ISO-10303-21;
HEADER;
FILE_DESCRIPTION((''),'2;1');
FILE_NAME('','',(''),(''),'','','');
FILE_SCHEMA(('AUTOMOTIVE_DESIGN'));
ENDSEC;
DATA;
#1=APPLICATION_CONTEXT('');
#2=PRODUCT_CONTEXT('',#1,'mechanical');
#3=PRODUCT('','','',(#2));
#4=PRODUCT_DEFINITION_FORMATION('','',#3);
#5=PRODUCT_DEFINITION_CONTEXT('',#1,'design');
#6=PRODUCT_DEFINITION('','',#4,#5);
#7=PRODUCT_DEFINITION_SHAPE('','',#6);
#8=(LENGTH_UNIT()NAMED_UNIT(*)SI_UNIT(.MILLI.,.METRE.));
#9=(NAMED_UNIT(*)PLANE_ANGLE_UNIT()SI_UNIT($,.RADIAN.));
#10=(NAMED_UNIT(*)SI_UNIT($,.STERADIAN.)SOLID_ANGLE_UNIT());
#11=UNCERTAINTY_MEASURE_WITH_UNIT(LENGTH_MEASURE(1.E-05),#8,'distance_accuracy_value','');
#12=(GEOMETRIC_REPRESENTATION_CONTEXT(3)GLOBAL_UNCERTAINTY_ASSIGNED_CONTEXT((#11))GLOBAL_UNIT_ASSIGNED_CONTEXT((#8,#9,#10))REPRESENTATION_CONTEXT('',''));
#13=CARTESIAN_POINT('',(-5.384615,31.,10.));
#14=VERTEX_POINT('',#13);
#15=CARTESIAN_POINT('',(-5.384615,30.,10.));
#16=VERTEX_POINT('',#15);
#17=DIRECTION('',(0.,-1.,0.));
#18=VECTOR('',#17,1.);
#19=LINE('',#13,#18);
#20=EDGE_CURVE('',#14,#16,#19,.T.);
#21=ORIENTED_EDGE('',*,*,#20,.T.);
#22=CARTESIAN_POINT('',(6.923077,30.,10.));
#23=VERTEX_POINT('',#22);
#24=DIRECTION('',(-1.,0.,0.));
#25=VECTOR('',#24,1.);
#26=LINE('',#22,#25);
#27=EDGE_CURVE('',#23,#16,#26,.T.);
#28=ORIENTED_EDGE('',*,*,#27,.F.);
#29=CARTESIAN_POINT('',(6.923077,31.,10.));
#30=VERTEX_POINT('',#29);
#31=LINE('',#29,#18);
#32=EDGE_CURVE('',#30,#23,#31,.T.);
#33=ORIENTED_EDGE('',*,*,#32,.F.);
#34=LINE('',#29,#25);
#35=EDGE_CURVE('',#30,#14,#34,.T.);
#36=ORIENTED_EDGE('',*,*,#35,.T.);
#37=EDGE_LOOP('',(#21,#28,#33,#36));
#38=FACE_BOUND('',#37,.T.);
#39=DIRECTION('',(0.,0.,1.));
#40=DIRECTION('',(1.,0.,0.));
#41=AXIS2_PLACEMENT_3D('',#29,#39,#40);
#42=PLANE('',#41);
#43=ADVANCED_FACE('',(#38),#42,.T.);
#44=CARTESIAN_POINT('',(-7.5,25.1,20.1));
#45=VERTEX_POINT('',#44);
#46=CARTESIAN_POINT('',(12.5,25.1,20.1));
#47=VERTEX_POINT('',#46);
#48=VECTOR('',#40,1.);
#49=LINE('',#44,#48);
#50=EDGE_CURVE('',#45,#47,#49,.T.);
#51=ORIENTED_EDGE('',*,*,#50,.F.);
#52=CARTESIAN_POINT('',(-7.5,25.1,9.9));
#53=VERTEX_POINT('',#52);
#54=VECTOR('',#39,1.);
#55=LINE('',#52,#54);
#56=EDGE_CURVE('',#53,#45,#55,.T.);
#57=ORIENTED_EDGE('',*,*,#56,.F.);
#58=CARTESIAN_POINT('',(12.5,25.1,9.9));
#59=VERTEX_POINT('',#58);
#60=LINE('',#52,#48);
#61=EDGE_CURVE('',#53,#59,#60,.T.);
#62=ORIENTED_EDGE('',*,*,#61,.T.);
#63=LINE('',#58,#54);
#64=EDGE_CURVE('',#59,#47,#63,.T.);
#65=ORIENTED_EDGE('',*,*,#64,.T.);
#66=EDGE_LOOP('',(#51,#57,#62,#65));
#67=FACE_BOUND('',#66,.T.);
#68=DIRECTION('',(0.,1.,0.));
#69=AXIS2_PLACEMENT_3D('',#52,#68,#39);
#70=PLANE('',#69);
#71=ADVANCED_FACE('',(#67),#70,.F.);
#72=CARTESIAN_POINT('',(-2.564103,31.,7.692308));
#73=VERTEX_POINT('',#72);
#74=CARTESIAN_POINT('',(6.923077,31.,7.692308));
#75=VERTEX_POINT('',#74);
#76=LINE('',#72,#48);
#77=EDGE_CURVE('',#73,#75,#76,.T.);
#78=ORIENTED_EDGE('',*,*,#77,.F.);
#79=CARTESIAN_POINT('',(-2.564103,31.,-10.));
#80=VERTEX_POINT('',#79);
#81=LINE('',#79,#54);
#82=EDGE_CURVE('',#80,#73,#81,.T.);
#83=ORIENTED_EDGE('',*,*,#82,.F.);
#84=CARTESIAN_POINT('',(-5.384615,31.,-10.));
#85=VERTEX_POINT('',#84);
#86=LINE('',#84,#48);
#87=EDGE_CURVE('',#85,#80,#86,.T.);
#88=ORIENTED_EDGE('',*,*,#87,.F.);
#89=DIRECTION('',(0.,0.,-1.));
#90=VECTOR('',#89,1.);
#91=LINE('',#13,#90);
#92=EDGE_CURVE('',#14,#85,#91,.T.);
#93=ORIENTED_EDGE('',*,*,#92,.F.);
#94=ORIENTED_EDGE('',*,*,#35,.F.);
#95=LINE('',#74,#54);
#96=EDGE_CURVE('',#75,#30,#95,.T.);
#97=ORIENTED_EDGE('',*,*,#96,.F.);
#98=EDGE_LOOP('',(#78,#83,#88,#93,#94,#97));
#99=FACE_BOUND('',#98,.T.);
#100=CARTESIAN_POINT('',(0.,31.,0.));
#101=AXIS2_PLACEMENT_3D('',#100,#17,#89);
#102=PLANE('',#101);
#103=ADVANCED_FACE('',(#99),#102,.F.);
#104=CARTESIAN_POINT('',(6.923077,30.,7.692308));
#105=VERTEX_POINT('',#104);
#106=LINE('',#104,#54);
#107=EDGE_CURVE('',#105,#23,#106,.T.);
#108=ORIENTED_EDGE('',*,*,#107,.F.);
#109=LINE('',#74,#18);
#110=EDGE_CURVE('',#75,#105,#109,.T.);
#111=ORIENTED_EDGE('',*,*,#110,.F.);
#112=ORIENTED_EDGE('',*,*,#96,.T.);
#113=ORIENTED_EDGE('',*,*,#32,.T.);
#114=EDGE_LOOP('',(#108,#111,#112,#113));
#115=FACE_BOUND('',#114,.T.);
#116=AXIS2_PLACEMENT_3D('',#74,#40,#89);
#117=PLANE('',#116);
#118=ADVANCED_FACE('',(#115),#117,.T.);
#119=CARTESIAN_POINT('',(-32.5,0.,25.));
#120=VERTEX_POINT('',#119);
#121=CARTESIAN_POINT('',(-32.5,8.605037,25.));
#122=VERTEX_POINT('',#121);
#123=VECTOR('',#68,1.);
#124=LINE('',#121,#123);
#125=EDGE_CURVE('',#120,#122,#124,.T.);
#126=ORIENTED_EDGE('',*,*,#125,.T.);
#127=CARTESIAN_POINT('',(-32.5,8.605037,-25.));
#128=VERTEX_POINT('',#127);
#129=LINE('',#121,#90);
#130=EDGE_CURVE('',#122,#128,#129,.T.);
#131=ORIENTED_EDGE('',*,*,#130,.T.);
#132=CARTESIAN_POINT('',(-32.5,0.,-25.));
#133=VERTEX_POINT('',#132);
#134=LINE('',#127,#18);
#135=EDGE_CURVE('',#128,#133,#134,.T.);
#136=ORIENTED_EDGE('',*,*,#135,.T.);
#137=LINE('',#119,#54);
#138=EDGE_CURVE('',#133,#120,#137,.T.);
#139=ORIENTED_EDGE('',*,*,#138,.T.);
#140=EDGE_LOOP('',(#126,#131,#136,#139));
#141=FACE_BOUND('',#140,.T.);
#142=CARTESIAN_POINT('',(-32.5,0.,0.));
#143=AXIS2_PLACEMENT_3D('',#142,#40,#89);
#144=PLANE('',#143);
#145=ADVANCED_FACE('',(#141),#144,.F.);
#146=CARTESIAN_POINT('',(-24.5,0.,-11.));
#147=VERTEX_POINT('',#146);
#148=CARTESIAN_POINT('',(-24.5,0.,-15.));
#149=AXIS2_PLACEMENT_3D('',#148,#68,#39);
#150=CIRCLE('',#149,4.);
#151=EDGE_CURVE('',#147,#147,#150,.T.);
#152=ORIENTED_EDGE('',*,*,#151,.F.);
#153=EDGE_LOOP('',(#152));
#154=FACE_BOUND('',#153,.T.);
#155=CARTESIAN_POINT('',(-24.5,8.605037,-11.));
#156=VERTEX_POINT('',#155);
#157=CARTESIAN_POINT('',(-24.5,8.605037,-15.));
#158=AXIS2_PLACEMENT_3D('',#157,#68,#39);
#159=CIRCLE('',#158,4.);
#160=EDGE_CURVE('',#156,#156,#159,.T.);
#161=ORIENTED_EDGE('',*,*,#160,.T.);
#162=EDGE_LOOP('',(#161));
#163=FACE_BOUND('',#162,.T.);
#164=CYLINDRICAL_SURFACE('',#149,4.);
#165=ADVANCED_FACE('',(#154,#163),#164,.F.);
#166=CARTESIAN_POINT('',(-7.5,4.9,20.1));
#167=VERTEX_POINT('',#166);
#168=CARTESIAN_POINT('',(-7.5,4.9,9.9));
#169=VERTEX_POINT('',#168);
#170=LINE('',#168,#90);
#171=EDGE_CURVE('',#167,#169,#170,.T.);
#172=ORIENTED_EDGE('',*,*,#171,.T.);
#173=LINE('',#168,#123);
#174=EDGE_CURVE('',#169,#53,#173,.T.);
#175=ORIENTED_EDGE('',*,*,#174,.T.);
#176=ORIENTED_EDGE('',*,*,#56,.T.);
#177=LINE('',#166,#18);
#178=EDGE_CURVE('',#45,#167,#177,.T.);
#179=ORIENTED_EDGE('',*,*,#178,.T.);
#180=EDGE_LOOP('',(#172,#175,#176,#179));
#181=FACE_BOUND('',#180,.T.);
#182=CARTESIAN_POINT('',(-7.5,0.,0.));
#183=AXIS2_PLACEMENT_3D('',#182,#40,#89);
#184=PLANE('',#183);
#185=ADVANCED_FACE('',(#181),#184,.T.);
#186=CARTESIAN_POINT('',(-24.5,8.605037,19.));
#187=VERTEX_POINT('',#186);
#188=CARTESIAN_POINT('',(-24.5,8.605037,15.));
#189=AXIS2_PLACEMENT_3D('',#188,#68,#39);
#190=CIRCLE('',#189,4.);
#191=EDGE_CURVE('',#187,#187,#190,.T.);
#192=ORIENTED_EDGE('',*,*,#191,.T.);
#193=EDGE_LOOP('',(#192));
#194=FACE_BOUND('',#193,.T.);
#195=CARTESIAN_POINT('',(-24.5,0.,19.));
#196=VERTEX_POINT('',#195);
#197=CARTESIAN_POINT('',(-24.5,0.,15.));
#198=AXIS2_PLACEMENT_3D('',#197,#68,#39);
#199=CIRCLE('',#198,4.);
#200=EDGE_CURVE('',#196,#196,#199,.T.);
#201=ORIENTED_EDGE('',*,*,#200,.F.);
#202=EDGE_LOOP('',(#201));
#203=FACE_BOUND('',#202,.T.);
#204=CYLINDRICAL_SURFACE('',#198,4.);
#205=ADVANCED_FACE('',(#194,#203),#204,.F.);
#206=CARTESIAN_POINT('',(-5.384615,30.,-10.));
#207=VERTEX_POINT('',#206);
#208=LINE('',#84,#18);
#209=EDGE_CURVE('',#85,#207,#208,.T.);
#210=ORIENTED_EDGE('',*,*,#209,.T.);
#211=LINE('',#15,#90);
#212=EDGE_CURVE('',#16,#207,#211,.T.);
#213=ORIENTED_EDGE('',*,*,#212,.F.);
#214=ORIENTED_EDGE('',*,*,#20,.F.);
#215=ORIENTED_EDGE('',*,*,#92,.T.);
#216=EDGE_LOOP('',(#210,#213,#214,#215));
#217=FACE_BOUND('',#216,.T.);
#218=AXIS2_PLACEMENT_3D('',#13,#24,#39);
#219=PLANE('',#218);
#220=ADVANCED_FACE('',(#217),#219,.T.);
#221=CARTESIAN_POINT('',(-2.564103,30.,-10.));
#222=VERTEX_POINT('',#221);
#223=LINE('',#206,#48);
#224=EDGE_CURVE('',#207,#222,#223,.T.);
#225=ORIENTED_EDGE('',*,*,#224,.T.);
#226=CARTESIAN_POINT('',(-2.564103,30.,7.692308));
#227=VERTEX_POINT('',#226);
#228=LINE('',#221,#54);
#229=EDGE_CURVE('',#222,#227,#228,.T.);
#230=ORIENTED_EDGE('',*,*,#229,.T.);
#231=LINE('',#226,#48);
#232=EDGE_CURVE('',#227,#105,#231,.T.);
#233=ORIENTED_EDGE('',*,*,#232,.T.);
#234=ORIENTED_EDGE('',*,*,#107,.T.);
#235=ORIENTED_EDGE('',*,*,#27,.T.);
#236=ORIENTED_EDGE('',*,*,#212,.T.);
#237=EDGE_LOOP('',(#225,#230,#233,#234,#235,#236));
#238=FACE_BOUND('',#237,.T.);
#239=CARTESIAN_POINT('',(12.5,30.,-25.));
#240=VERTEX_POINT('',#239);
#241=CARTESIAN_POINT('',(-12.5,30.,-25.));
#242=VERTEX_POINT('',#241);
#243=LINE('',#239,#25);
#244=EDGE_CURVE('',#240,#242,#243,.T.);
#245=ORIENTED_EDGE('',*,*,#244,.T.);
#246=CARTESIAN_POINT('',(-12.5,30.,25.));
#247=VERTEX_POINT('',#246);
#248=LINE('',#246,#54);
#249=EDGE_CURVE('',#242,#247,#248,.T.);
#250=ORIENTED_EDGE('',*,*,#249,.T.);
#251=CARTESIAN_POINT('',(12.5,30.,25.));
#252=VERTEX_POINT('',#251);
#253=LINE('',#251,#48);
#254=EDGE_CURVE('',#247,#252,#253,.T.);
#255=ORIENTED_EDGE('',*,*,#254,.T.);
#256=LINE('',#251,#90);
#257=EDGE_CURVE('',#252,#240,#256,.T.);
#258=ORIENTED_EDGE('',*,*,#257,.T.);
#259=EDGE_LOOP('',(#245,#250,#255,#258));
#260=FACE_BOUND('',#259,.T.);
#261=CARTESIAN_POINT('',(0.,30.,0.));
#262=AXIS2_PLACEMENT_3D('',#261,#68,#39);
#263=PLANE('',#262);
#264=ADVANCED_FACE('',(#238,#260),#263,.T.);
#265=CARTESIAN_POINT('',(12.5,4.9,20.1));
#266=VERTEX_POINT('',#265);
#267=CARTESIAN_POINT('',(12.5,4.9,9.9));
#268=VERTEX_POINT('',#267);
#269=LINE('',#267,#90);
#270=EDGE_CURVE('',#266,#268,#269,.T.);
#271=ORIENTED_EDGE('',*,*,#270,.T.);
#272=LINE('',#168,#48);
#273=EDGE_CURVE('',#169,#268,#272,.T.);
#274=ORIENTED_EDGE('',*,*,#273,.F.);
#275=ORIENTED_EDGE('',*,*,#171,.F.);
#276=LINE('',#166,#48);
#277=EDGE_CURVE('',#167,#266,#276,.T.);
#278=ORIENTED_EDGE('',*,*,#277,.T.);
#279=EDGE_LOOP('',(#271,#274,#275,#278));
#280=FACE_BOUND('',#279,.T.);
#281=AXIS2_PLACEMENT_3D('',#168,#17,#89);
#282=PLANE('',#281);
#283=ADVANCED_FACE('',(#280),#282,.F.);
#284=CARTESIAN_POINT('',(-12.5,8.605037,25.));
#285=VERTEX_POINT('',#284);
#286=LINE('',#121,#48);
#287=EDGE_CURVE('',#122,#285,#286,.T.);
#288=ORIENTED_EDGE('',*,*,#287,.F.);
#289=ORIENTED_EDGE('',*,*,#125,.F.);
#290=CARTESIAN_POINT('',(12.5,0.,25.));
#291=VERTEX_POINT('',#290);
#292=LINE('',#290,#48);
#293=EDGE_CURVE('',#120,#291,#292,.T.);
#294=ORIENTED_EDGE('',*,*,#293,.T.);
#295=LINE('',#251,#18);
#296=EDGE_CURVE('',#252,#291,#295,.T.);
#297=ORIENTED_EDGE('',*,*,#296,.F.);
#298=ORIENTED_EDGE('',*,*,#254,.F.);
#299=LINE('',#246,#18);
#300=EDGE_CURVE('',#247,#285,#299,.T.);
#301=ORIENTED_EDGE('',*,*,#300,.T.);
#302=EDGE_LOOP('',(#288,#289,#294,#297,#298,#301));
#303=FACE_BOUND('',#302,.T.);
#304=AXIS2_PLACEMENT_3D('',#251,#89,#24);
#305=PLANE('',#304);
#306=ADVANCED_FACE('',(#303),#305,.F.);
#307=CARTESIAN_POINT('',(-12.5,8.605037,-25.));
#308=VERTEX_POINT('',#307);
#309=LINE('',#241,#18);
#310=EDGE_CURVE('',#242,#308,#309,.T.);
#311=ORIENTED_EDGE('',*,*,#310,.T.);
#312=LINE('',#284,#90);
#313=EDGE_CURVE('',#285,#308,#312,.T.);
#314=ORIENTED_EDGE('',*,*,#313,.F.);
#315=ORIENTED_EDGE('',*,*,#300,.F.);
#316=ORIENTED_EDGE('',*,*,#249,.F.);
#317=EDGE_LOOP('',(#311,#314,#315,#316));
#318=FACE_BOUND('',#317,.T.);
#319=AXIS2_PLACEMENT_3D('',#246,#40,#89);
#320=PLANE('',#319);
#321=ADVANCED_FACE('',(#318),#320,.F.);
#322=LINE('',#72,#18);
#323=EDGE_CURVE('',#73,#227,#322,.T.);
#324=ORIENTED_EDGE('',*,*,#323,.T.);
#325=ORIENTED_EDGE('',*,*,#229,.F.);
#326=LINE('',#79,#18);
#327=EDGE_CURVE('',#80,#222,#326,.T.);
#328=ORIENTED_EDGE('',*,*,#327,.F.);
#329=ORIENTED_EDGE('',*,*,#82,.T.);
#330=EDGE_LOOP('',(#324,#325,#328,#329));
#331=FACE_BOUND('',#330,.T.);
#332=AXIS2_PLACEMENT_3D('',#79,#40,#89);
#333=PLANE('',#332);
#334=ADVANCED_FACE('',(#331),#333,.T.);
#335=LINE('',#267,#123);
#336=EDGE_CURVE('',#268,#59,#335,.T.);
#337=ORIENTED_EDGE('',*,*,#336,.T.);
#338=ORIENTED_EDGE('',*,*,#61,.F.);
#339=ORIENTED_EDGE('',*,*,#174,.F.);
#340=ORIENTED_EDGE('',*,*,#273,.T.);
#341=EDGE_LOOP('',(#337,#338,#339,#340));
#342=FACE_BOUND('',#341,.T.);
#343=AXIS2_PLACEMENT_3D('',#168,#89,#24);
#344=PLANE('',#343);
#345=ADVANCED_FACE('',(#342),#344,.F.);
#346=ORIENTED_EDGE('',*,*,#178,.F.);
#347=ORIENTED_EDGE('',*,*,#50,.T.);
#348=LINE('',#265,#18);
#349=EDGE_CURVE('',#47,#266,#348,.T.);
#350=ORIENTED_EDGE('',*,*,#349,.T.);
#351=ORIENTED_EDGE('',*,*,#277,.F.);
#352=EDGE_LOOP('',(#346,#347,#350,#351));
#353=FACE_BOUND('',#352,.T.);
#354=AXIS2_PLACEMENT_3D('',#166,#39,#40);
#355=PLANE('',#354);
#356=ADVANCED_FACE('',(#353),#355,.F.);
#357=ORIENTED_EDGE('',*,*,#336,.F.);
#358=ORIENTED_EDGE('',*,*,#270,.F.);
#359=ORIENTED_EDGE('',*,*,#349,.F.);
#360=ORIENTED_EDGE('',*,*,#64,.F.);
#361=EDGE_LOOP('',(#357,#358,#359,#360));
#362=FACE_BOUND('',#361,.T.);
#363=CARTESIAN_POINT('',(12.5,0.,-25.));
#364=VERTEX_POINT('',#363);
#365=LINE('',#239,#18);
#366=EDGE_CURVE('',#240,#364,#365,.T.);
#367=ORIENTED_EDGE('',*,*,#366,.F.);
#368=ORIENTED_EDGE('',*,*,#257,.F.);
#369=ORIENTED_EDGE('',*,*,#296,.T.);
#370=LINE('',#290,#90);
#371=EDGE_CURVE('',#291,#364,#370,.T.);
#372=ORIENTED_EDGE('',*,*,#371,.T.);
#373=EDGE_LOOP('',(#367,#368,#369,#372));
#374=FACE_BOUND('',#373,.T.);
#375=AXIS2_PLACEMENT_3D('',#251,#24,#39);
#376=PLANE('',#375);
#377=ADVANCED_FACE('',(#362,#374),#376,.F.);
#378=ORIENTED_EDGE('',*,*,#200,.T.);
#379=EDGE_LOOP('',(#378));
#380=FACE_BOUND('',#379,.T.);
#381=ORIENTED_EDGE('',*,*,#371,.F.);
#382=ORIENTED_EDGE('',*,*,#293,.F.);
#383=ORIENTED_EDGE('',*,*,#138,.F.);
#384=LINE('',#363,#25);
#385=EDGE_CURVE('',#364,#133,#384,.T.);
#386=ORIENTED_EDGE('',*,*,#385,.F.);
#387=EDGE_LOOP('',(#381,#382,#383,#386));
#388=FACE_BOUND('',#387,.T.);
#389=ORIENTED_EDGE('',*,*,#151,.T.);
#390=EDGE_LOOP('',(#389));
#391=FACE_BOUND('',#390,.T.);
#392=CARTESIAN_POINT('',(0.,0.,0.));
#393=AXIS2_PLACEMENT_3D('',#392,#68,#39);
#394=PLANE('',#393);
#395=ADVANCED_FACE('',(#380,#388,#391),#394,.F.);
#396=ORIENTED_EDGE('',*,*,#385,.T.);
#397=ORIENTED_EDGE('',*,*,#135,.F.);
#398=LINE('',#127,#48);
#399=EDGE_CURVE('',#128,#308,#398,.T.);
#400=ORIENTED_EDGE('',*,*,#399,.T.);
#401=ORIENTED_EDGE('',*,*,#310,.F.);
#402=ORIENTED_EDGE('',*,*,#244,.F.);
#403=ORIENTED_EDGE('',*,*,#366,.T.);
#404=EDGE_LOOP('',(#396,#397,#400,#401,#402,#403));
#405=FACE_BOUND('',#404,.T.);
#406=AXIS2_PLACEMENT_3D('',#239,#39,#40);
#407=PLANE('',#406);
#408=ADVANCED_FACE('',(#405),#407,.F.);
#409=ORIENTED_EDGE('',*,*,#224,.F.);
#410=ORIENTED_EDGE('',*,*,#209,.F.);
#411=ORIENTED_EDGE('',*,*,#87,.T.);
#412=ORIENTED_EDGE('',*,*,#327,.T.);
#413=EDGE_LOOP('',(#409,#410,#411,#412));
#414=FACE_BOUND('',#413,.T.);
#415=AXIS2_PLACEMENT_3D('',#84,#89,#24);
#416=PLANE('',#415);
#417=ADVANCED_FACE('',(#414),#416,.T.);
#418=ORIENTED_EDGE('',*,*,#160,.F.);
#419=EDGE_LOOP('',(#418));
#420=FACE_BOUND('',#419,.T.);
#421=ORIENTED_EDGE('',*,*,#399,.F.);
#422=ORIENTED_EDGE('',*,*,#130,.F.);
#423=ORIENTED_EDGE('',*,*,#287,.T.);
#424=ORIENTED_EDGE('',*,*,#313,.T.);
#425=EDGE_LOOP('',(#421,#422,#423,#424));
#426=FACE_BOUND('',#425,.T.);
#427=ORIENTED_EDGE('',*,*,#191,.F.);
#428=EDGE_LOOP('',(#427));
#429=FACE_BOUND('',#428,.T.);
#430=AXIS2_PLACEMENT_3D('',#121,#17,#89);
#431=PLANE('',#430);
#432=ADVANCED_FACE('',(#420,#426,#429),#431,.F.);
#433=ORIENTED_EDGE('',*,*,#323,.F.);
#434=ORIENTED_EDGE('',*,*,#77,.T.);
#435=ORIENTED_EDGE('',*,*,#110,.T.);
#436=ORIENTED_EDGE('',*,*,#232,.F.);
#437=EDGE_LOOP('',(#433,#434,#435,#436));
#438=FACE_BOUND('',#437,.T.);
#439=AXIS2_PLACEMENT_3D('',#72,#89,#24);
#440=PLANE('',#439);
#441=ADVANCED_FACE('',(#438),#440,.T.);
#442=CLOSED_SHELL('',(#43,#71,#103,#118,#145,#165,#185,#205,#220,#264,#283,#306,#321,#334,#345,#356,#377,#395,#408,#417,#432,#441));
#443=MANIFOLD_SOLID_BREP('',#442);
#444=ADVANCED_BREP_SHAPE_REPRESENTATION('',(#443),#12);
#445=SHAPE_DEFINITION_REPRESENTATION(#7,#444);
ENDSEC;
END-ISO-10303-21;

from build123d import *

# Parameters (mm, degrees)
SKETCH1_W           = 25
SKETCH1_H           = 50
BOSS_EXTRUDE1_DEPTH = 30
SKETCH2_W           = 50
SKETCH2_H           = 8.605036789
BOSS_EXTRUDE2_DEPTH = 20
SKETCH3_R           = 4
CUT_EXTRUDE1_DEPTH  = 47.249264327
SKETCH4_W           = 10.2
SKETCH4_H           = 20.2
CUT_EXTRUDE2_DEPTH  = 20
BOSS_EXTRUDE3_DEPTH = 1


with BuildPart() as part:
    # Sketch1 → Boss-Extrude1 (new body)
    with BuildSketch(Plane(origin=(0, 0, 0), x_dir=(1, 0, 0), z_dir=(0, 1, 0))):
        Rectangle(SKETCH1_W, SKETCH1_H)
    extrude(amount=BOSS_EXTRUDE1_DEPTH)

    # Sketch2 → Boss-Extrude2 (add)
    with BuildSketch(Plane.ZY.offset(12.5)):
        with Locations((0, 4.302518394)):
            Rectangle(SKETCH2_W, SKETCH2_H)
    extrude(amount=BOSS_EXTRUDE2_DEPTH)

    # Sketch3 → Cut-Extrude1 (cut, through all)
    with BuildSketch(Plane(origin=(0, 8.605036789, 0), x_dir=(1, 0, 0), z_dir=(0, 1, 0))):
        with Locations(Location((-24.5, 15, 0), (0, 0, 270))):
            Circle(SKETCH3_R)
        with Locations(Location((-24.5, -15, 0), (0, 0, 270))):
            Circle(SKETCH3_R)
    extrude(amount=-CUT_EXTRUDE1_DEPTH, mode=Mode.SUBTRACT)

    # Sketch4 → Cut-Extrude2 (cut)
    with BuildSketch(Plane(origin=(12.5, 0, 0), x_dir=(0, 0, -1), z_dir=(1, 0, 0))):
        with Locations((-15, 15)):
            Rectangle(SKETCH4_W, SKETCH4_H)
    extrude(amount=-CUT_EXTRUDE2_DEPTH, mode=Mode.SUBTRACT)

    # Sketch5 → Boss-Extrude3 (add)
    with BuildSketch(Plane(origin=(0, 30, 0), x_dir=(1, 0, 0), z_dir=(0, 1, 0))):
        Polygon((-5.384615385, -10), (-5.384615385, 10), (-2.564102564, 10), (-2.564102564, -7.692307692), (6.923076923, -7.692307692), (6.923076923, -10), align=None)
    extrude(amount=BOSS_EXTRUDE3_DEPTH)


solid = part.part
